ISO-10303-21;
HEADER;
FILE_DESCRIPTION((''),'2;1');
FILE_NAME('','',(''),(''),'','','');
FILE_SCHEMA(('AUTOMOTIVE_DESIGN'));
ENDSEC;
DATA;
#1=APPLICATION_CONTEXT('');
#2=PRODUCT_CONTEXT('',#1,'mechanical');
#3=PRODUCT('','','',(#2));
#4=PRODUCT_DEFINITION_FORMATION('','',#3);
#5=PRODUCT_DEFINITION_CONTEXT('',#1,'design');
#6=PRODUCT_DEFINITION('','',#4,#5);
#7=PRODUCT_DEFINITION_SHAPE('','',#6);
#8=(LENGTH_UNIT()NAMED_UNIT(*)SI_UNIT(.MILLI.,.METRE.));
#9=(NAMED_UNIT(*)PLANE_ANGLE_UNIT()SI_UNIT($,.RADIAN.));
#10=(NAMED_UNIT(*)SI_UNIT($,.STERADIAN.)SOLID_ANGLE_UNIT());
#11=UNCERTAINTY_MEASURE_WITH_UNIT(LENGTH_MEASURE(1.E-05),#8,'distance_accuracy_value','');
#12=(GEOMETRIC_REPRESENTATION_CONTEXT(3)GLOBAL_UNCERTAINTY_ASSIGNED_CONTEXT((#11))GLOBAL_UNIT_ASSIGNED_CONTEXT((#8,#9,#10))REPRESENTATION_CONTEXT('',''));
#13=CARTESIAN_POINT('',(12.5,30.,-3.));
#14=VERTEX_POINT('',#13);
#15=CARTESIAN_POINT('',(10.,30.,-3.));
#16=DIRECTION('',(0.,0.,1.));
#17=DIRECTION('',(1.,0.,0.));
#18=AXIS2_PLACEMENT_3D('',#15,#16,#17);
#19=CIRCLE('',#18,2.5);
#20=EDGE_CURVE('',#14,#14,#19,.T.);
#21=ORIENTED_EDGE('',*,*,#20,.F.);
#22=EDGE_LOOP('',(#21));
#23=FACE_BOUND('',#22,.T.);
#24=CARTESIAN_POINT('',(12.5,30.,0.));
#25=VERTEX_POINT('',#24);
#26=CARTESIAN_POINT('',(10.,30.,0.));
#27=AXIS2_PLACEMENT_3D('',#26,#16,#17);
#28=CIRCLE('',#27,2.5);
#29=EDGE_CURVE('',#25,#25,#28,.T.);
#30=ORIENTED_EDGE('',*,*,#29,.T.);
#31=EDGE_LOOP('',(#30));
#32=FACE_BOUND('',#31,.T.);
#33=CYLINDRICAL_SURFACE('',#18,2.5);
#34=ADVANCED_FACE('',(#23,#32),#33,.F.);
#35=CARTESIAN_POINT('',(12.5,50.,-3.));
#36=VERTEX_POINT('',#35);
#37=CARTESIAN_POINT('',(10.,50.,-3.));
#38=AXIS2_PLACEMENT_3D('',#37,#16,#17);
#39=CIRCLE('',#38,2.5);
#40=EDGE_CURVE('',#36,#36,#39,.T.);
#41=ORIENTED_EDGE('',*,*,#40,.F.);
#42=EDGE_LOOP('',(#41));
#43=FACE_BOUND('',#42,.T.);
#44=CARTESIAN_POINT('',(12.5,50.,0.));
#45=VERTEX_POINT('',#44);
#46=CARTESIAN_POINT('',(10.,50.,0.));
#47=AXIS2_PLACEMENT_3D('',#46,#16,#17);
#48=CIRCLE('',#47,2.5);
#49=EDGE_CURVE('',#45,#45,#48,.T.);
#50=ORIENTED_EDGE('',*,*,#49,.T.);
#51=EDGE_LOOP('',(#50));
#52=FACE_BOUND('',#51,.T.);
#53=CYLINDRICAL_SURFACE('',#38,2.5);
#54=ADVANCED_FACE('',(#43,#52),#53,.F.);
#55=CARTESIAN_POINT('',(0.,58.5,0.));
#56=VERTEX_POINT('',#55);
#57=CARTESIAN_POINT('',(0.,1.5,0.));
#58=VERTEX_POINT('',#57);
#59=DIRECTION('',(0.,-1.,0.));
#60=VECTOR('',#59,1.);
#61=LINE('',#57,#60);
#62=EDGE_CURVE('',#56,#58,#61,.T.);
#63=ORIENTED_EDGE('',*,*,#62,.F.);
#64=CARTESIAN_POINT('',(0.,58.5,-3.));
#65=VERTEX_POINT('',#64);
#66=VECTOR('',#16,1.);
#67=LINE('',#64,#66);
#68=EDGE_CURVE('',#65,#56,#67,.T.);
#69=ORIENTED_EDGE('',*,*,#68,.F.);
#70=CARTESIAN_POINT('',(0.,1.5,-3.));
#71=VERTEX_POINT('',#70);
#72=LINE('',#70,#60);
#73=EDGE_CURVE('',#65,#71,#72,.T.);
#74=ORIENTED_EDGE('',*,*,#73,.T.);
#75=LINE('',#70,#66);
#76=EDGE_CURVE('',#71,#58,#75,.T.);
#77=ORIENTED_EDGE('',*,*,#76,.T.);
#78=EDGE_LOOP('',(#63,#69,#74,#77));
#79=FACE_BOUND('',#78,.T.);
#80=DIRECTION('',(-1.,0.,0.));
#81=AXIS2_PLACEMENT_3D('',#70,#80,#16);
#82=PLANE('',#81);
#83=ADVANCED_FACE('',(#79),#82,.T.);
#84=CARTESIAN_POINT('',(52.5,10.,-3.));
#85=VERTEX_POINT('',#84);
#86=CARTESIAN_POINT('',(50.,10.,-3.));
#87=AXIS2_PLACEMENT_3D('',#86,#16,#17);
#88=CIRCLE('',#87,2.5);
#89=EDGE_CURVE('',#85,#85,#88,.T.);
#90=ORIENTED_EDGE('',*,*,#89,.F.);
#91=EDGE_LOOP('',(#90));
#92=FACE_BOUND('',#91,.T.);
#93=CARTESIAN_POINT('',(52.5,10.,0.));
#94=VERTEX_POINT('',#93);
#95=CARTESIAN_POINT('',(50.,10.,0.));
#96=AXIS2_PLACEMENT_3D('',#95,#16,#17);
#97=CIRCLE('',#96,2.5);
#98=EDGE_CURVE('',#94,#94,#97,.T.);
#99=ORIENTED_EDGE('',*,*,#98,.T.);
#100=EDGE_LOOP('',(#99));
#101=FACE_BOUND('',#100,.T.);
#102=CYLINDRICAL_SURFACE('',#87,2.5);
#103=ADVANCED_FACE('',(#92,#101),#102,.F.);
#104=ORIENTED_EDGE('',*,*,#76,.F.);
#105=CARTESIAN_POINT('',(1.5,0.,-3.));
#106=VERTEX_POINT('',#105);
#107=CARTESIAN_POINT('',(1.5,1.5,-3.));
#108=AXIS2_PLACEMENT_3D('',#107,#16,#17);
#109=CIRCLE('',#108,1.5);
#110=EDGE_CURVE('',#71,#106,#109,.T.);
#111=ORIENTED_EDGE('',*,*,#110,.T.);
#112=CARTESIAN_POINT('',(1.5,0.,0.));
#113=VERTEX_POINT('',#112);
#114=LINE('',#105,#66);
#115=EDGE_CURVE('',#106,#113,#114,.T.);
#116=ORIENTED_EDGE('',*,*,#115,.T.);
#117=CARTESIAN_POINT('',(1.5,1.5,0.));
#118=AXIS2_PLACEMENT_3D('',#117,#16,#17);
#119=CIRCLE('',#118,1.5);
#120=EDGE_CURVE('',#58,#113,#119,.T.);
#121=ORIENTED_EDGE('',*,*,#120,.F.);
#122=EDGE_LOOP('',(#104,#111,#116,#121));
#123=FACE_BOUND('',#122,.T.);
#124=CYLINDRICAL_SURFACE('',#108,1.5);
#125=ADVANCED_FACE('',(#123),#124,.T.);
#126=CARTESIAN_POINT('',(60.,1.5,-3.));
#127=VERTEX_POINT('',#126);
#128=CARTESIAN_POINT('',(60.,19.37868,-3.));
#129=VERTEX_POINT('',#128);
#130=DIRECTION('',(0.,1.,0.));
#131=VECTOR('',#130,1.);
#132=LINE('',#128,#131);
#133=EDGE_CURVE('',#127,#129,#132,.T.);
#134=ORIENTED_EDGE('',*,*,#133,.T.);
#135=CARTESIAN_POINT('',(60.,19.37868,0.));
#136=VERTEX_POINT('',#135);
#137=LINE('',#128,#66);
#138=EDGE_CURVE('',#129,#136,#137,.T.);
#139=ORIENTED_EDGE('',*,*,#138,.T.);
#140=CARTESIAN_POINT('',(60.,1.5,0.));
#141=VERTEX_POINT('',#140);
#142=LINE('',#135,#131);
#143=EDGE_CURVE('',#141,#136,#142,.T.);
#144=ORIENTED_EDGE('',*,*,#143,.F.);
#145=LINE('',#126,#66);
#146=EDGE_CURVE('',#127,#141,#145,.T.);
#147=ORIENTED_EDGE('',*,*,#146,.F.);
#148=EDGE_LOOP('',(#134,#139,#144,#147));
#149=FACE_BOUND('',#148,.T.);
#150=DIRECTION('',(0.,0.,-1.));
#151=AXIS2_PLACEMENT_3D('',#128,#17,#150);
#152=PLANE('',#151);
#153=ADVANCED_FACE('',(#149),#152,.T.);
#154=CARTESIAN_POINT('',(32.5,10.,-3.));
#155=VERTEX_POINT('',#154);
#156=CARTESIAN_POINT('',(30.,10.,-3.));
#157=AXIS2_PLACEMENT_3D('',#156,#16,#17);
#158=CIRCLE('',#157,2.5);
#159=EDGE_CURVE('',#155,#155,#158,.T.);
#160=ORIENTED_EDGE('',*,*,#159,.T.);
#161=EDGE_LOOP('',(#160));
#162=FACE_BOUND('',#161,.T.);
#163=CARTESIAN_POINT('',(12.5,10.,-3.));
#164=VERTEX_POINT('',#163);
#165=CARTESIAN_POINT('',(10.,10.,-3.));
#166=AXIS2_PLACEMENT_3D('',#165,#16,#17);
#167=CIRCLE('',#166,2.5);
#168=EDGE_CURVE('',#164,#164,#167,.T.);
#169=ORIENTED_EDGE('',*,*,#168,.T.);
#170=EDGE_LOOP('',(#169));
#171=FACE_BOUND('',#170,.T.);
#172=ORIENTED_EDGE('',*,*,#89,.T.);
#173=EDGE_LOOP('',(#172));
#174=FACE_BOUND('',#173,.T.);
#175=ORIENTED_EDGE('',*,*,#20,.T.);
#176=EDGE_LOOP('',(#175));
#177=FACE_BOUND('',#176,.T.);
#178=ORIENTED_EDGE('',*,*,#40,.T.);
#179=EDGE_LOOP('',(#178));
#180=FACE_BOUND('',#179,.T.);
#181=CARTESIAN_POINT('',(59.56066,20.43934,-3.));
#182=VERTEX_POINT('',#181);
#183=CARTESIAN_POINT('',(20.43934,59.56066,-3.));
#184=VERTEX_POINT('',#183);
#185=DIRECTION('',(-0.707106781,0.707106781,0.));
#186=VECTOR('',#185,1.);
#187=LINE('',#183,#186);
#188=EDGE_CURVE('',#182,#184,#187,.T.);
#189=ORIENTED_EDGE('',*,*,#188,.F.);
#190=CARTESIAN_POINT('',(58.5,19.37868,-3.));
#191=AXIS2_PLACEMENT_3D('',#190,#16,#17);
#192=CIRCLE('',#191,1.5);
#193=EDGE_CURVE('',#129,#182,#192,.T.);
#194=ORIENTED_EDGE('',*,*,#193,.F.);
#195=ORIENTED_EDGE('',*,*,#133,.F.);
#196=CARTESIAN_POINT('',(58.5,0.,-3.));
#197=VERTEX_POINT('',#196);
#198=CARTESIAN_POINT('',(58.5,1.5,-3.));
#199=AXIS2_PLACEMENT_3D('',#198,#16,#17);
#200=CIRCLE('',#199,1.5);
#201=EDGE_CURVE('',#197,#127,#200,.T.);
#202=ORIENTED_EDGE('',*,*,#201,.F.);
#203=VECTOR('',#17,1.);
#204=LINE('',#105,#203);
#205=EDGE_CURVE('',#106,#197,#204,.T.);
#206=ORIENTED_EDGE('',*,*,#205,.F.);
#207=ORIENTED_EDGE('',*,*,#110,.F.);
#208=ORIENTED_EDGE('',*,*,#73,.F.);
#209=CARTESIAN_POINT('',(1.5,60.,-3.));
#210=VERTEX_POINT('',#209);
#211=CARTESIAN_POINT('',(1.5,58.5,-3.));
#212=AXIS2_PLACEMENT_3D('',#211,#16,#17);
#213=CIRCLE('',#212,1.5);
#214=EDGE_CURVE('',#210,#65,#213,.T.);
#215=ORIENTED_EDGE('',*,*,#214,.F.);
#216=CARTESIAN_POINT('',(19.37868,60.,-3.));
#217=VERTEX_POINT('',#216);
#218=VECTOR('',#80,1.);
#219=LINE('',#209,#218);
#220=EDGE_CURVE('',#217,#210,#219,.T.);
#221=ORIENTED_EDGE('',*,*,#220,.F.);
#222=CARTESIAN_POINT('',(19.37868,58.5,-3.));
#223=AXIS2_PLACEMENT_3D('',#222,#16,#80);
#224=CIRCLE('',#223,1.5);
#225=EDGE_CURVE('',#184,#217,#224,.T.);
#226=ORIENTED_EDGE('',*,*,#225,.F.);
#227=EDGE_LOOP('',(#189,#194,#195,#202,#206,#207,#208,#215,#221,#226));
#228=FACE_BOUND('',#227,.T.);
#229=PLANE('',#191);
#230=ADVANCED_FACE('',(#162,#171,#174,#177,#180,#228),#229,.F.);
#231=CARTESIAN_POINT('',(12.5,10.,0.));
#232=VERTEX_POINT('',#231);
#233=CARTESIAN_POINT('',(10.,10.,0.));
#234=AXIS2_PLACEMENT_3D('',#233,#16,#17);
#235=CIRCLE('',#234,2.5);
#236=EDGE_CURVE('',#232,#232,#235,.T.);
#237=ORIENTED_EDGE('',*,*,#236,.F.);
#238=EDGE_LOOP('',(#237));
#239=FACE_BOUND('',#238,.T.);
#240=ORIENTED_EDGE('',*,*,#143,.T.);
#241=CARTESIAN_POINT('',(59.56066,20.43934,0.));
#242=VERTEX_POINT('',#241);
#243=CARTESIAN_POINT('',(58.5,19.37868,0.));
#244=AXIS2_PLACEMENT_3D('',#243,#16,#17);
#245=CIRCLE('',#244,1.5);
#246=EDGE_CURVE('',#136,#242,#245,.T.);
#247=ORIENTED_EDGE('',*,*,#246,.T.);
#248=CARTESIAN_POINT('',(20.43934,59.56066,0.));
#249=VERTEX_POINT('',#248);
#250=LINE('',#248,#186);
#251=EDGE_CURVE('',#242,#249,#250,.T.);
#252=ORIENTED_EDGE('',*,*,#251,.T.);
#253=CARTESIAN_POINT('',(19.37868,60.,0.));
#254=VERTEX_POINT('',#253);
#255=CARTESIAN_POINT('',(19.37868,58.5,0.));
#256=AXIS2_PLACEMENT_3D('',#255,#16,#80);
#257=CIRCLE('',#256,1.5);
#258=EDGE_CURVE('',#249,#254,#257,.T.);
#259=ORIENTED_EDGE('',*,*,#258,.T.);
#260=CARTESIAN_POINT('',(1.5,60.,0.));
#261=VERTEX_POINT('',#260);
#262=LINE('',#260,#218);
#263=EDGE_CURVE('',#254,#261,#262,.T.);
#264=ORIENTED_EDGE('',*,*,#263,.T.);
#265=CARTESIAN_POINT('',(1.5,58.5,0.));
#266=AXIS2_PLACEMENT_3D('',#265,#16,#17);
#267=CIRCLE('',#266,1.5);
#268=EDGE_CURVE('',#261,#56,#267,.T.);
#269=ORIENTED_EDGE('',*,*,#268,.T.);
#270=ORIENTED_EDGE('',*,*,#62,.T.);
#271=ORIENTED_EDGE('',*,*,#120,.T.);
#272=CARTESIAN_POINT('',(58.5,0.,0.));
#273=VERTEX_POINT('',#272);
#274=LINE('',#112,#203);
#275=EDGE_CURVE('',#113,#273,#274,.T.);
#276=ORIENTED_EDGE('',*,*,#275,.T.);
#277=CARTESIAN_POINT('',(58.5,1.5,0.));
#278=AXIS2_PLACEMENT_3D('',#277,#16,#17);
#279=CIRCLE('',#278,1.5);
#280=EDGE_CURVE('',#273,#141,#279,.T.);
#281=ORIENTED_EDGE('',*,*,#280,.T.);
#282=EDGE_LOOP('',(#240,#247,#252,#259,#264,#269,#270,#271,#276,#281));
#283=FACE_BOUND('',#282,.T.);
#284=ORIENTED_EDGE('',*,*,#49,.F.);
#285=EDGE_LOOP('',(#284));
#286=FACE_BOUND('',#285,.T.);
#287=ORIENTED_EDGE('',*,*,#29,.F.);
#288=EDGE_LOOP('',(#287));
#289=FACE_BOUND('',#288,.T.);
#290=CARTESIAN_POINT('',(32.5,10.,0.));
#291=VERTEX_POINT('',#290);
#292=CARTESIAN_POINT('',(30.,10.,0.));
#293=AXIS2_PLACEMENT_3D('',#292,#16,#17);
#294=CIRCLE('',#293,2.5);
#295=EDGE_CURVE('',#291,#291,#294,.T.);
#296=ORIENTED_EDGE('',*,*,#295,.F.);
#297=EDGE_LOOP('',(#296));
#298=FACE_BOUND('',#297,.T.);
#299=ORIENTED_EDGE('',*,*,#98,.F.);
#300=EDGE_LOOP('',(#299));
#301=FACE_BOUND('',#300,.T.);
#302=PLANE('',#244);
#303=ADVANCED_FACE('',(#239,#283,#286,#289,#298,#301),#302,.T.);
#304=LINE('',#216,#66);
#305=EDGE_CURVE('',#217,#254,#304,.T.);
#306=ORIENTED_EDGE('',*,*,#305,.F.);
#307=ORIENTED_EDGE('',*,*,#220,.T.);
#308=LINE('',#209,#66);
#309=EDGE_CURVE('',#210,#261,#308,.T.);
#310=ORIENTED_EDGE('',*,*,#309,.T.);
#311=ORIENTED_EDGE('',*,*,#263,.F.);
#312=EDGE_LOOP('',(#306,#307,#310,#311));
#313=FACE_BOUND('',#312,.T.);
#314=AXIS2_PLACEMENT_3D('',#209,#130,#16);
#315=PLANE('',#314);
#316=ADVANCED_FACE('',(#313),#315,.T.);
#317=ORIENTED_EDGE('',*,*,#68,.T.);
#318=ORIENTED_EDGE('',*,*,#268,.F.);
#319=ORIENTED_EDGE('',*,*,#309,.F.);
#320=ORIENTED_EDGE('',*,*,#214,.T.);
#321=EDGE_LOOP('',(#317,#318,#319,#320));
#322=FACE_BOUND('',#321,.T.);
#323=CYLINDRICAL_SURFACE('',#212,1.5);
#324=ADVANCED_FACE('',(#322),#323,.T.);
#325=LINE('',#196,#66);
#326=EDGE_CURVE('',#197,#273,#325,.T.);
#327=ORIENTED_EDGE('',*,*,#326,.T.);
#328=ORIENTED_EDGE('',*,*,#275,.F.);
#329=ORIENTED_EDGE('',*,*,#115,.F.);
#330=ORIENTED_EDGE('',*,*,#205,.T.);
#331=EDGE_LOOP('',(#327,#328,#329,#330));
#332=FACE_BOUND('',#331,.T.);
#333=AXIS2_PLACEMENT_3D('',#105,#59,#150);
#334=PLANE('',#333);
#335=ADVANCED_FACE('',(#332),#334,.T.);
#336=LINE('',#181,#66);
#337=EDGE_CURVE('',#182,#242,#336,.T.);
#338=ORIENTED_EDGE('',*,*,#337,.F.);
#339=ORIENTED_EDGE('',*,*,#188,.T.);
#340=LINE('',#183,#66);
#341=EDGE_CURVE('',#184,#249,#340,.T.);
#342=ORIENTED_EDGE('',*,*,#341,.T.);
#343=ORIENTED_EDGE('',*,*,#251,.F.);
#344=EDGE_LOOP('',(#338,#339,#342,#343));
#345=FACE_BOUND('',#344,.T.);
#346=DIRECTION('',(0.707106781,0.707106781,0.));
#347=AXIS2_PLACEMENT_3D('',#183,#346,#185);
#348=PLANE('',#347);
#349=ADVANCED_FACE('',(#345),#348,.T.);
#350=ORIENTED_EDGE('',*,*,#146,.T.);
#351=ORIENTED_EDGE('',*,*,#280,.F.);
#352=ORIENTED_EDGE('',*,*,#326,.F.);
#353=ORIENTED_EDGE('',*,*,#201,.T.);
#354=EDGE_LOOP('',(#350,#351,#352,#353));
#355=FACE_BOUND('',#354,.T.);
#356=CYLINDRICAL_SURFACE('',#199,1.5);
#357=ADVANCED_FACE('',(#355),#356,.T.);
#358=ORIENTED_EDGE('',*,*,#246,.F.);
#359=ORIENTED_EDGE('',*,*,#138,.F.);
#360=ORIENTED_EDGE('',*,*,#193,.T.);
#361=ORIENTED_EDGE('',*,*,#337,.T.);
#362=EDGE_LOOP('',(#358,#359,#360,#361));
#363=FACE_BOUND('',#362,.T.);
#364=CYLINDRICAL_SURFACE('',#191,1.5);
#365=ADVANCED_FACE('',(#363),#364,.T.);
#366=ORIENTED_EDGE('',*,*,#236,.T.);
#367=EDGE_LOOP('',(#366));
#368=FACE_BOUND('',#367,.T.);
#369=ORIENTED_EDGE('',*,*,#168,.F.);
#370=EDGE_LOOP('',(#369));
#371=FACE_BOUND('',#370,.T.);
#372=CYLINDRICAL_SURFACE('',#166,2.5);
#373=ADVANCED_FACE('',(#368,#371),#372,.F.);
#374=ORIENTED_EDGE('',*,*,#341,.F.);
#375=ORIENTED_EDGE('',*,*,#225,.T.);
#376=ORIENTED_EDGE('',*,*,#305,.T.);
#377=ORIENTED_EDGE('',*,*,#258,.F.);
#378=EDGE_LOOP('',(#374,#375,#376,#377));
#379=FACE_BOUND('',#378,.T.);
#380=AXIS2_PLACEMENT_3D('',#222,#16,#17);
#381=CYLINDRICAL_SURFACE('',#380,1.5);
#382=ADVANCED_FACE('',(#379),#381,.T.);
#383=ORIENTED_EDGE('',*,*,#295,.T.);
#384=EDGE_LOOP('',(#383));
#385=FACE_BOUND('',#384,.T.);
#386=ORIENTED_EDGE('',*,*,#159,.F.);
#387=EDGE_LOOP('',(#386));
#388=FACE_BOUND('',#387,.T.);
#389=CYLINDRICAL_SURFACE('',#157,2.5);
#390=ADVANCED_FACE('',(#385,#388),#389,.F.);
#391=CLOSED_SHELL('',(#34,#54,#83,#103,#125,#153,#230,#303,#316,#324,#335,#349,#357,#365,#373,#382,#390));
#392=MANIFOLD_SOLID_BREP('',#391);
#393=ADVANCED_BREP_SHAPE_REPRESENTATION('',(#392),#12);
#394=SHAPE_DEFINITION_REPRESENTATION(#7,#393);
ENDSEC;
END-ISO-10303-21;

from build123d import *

# Parameters (mm, degrees)
BOSS_EXTRUDE1_DEPTH = 3
SKETCH2_R           = 2.5
CUT_EXTRUDE1_DEPTH  = 3


with BuildPart() as part:
    # Sketch1 → Boss-Extrude1 (new body)
    with BuildSketch(Plane.XY):
        with BuildLine():
            Line((1.5, 60), (19.378679656, 60))
            ThreePointArc((19.378679656, 60), (19.952704805, 59.885819299), (20.439339828, 59.560660172))
            Line((20.439339828, 59.560660172), (59.560660172, 20.439339828))
            ThreePointArc((59.560660172, 20.439339828), (59.885819299, 19.952704805), (60, 19.378679656))
            Line((60, 19.378679656), (60, 1.5))
            ThreePointArc((60, 1.5), (59.560660172, 0.439339828), (58.5, 0))
            Line((58.5, 0), (1.5, 0))
            ThreePointArc((1.5, 0), (0.439339828, 0.439339828), (0, 1.5))
            Line((0, 1.5), (0, 58.5))
            ThreePointArc((0, 58.5), (0.439339828, 59.560660172), (1.5, 60))
        make_face()
    extrude(amount=-BOSS_EXTRUDE1_DEPTH)

    # Sketch2 → Cut-Extrude1 (cut)
    with BuildSketch(Plane.XY):
        with Locations((10, 10)):
            Circle(SKETCH2_R)
        with Locations((30, 10)):
            Circle(SKETCH2_R)
        with Locations((50, 10)):
            Circle(SKETCH2_R)
        with Locations((10, 30)):
            Circle(SKETCH2_R)
        with Locations((10, 50)):
            Circle(SKETCH2_R)
    extrude(amount=-CUT_EXTRUDE1_DEPTH, mode=Mode.SUBTRACT)


solid = part.part
